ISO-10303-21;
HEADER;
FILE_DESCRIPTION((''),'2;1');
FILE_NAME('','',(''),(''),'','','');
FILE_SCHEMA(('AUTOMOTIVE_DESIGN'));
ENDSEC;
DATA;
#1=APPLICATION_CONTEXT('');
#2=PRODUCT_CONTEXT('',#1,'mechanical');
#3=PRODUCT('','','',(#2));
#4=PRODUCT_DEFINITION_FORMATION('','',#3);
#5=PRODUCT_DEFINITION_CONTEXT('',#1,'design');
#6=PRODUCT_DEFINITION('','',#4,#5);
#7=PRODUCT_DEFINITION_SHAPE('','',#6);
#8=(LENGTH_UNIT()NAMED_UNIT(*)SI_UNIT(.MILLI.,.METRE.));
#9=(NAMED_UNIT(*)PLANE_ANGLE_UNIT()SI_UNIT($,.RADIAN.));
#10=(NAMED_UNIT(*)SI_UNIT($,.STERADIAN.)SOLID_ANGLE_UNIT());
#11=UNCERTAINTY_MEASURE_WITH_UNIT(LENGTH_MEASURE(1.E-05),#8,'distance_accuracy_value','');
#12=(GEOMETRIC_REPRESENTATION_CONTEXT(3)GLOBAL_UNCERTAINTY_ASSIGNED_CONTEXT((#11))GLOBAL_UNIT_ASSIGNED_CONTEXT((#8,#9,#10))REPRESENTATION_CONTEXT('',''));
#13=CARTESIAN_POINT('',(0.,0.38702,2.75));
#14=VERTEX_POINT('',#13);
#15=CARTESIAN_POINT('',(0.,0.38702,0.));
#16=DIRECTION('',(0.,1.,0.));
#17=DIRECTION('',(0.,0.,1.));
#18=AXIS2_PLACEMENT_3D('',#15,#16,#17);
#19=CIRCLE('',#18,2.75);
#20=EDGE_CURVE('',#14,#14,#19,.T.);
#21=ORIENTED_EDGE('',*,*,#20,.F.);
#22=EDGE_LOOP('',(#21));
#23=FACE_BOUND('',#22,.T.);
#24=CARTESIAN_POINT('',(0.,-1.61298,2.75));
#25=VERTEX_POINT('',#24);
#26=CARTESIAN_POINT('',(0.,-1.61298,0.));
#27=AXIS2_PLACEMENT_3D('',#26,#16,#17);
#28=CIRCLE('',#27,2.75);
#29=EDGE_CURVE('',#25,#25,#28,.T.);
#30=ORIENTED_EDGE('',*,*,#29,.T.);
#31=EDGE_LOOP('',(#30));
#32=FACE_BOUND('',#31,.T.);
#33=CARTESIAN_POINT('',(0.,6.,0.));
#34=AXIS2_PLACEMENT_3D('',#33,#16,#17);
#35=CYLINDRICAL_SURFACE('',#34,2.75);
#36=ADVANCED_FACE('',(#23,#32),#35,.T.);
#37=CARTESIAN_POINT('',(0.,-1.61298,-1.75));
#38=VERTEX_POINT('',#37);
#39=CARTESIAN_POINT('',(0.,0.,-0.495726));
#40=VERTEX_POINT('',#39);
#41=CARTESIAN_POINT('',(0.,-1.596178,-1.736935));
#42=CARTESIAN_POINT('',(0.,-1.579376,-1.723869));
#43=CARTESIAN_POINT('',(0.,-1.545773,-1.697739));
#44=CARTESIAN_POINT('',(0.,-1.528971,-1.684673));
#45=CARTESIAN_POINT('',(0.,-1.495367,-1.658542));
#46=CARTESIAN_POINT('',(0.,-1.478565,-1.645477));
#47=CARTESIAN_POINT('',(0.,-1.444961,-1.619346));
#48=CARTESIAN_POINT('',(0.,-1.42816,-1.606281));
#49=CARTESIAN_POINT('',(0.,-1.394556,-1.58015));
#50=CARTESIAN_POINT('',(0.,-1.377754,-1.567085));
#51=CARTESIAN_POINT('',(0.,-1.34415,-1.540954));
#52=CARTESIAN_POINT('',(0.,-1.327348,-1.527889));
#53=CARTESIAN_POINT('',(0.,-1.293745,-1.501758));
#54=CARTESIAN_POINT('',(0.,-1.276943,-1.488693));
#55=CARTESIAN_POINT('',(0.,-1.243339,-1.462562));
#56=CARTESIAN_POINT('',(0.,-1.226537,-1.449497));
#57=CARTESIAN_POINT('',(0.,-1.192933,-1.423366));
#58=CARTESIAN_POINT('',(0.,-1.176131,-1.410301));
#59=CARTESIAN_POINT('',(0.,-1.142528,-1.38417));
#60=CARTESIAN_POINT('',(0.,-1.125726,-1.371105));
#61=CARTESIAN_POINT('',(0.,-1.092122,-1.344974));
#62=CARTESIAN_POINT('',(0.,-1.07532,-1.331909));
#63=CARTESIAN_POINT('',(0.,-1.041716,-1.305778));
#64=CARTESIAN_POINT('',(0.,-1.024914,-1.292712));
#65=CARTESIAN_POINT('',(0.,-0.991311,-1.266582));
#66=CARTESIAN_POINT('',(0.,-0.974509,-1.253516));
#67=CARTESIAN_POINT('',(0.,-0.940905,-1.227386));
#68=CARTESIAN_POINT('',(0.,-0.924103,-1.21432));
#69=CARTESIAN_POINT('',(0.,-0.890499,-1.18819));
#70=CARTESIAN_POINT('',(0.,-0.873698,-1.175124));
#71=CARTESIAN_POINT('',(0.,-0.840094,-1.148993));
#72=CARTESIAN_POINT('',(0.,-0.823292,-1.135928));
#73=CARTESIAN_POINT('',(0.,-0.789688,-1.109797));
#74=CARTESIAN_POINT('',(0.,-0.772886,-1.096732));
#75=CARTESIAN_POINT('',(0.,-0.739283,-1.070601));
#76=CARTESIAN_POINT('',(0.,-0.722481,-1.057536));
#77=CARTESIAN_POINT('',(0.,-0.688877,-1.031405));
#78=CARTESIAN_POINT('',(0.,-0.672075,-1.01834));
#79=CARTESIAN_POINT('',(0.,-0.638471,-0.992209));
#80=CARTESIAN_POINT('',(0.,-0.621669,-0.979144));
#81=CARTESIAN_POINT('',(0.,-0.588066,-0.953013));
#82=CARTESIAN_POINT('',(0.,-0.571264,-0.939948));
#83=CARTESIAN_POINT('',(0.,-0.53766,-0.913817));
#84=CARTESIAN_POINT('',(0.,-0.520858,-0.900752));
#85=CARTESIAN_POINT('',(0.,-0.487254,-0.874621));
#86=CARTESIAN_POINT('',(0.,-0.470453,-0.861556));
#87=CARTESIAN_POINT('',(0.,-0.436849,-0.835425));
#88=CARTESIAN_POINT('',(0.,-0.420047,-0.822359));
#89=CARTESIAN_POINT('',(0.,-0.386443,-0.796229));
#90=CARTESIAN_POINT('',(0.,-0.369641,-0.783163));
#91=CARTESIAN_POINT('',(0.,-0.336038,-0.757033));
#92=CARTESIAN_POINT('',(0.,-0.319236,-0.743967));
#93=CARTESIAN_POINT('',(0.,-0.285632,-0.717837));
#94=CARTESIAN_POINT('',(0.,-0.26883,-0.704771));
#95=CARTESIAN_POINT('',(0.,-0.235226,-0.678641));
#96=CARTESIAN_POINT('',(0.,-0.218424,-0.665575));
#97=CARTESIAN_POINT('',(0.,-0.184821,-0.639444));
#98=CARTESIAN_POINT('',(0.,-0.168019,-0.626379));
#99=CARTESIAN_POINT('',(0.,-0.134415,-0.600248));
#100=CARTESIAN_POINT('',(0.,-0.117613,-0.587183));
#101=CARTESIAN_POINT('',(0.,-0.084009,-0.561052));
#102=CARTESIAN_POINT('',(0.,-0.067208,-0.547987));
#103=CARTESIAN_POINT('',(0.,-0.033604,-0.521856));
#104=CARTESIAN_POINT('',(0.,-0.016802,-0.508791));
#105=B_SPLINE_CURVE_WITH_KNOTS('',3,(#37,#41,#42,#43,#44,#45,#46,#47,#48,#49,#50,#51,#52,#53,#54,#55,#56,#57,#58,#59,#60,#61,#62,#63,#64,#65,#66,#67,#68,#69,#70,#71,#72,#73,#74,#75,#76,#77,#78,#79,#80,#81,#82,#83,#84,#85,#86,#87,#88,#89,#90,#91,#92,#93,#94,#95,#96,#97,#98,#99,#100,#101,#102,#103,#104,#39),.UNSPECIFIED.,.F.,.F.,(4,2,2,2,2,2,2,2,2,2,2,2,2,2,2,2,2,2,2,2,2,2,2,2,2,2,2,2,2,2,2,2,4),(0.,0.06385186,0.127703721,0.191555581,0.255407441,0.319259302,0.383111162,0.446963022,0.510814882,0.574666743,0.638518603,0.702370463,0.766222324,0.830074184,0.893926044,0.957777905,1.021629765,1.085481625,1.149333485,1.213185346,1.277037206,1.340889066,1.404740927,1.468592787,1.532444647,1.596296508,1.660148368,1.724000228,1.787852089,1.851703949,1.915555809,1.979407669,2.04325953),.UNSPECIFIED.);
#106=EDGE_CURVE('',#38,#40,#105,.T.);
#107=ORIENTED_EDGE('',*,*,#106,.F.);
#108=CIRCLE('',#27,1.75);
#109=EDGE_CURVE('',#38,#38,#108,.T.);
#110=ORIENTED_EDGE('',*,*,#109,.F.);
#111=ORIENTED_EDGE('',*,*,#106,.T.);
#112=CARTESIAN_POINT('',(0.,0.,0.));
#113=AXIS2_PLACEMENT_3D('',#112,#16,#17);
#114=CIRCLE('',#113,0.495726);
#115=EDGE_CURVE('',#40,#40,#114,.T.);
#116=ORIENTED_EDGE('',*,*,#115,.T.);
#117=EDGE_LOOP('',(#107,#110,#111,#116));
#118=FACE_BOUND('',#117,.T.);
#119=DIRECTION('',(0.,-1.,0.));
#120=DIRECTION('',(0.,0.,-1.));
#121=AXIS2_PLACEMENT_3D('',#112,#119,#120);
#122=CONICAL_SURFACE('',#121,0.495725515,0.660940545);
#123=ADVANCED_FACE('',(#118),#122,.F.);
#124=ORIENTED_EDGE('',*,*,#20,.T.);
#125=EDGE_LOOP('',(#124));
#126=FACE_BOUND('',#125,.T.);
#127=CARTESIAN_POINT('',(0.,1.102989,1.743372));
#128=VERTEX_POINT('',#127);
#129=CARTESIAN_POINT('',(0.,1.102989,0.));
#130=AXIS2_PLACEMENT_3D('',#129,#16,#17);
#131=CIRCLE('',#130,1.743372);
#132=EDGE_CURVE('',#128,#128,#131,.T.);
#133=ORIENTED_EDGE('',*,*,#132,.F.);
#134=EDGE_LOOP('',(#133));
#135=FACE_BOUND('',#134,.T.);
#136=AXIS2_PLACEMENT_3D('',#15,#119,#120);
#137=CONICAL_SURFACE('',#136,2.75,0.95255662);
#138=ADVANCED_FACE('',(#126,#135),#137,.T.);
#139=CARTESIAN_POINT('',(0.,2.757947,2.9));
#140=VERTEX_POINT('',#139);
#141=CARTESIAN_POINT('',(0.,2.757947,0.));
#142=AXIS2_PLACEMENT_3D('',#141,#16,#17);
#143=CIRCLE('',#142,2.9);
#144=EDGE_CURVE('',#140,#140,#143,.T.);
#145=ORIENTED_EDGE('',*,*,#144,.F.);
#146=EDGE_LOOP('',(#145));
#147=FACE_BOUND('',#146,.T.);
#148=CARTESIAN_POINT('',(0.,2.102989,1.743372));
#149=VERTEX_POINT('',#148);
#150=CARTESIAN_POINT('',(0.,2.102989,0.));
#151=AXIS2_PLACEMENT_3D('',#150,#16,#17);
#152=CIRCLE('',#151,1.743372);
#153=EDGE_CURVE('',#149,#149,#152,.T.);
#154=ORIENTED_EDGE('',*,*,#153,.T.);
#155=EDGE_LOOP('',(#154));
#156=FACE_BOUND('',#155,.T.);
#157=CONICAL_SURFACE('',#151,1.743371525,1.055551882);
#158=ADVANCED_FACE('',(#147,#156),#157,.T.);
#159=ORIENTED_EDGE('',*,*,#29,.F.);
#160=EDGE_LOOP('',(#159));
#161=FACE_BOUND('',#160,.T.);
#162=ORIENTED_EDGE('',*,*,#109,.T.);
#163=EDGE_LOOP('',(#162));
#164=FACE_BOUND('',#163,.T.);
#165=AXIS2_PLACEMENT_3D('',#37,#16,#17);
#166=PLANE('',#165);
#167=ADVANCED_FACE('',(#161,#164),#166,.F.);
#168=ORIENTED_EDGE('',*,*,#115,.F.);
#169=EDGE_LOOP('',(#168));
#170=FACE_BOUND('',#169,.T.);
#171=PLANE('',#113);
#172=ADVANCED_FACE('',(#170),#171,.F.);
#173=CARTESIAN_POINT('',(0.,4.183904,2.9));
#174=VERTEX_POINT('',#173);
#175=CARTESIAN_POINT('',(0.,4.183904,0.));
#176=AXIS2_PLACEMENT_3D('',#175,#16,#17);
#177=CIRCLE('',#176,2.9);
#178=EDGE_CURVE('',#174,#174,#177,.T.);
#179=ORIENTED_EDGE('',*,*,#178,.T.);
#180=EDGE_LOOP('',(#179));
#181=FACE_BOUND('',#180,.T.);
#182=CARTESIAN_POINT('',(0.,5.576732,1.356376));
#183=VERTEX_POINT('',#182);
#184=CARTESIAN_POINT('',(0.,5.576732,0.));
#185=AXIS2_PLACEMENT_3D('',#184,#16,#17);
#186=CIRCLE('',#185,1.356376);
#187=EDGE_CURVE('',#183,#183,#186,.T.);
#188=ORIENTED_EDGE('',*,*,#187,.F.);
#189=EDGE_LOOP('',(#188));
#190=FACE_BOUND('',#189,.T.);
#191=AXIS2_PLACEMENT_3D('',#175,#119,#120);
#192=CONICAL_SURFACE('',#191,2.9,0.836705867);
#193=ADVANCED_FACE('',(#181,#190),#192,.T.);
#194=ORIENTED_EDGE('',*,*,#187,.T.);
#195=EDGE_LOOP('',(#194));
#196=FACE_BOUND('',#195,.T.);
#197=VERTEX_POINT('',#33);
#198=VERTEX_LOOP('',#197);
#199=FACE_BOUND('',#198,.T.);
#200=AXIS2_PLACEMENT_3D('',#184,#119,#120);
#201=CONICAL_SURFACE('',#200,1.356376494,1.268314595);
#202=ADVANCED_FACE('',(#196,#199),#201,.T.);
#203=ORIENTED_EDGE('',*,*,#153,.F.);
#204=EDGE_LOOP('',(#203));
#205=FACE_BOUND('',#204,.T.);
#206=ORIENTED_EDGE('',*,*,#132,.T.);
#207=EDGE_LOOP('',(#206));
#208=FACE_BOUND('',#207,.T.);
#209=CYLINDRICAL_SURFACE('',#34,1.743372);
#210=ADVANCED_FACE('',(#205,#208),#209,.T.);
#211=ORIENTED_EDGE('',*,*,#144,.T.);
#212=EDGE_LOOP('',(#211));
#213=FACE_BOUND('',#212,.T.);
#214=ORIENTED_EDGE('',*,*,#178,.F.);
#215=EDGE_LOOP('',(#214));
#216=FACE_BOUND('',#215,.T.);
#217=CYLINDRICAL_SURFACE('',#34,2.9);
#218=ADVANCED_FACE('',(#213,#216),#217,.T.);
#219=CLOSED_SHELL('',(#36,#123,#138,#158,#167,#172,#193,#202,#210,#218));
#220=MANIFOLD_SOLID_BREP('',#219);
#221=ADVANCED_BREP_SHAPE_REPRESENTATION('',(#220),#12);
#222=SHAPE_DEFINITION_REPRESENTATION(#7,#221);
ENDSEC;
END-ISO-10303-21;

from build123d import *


with BuildPart() as part:
    # 스케치1 → 회전1 (revolve)
    with BuildSketch(Plane(origin=(0, 0, 0), x_dir=(0, 0, -1), z_dir=(1, 0, 0)), mode=Mode.PRIVATE) as revolve_1_sk:
        Polygon((0, 0), (0.495725515, 0), (1.75, -1.612980168), (2.75, -1.612980168), (2.75, 0.387019832), (1.743371525, 1.102989251), (1.743371525, 2.102989251), (2.9, 2.757946751), (2.9, 4.183903925), (1.356376494, 5.576732475), (0, 6), align=None)
    revolve(revolve_1_sk.sketch.rotate(Axis((0, 6, 0), (0, -1, 0)), 180), axis=Axis((0, 6, 0), (0, -1, 0)))


solid = part.part
